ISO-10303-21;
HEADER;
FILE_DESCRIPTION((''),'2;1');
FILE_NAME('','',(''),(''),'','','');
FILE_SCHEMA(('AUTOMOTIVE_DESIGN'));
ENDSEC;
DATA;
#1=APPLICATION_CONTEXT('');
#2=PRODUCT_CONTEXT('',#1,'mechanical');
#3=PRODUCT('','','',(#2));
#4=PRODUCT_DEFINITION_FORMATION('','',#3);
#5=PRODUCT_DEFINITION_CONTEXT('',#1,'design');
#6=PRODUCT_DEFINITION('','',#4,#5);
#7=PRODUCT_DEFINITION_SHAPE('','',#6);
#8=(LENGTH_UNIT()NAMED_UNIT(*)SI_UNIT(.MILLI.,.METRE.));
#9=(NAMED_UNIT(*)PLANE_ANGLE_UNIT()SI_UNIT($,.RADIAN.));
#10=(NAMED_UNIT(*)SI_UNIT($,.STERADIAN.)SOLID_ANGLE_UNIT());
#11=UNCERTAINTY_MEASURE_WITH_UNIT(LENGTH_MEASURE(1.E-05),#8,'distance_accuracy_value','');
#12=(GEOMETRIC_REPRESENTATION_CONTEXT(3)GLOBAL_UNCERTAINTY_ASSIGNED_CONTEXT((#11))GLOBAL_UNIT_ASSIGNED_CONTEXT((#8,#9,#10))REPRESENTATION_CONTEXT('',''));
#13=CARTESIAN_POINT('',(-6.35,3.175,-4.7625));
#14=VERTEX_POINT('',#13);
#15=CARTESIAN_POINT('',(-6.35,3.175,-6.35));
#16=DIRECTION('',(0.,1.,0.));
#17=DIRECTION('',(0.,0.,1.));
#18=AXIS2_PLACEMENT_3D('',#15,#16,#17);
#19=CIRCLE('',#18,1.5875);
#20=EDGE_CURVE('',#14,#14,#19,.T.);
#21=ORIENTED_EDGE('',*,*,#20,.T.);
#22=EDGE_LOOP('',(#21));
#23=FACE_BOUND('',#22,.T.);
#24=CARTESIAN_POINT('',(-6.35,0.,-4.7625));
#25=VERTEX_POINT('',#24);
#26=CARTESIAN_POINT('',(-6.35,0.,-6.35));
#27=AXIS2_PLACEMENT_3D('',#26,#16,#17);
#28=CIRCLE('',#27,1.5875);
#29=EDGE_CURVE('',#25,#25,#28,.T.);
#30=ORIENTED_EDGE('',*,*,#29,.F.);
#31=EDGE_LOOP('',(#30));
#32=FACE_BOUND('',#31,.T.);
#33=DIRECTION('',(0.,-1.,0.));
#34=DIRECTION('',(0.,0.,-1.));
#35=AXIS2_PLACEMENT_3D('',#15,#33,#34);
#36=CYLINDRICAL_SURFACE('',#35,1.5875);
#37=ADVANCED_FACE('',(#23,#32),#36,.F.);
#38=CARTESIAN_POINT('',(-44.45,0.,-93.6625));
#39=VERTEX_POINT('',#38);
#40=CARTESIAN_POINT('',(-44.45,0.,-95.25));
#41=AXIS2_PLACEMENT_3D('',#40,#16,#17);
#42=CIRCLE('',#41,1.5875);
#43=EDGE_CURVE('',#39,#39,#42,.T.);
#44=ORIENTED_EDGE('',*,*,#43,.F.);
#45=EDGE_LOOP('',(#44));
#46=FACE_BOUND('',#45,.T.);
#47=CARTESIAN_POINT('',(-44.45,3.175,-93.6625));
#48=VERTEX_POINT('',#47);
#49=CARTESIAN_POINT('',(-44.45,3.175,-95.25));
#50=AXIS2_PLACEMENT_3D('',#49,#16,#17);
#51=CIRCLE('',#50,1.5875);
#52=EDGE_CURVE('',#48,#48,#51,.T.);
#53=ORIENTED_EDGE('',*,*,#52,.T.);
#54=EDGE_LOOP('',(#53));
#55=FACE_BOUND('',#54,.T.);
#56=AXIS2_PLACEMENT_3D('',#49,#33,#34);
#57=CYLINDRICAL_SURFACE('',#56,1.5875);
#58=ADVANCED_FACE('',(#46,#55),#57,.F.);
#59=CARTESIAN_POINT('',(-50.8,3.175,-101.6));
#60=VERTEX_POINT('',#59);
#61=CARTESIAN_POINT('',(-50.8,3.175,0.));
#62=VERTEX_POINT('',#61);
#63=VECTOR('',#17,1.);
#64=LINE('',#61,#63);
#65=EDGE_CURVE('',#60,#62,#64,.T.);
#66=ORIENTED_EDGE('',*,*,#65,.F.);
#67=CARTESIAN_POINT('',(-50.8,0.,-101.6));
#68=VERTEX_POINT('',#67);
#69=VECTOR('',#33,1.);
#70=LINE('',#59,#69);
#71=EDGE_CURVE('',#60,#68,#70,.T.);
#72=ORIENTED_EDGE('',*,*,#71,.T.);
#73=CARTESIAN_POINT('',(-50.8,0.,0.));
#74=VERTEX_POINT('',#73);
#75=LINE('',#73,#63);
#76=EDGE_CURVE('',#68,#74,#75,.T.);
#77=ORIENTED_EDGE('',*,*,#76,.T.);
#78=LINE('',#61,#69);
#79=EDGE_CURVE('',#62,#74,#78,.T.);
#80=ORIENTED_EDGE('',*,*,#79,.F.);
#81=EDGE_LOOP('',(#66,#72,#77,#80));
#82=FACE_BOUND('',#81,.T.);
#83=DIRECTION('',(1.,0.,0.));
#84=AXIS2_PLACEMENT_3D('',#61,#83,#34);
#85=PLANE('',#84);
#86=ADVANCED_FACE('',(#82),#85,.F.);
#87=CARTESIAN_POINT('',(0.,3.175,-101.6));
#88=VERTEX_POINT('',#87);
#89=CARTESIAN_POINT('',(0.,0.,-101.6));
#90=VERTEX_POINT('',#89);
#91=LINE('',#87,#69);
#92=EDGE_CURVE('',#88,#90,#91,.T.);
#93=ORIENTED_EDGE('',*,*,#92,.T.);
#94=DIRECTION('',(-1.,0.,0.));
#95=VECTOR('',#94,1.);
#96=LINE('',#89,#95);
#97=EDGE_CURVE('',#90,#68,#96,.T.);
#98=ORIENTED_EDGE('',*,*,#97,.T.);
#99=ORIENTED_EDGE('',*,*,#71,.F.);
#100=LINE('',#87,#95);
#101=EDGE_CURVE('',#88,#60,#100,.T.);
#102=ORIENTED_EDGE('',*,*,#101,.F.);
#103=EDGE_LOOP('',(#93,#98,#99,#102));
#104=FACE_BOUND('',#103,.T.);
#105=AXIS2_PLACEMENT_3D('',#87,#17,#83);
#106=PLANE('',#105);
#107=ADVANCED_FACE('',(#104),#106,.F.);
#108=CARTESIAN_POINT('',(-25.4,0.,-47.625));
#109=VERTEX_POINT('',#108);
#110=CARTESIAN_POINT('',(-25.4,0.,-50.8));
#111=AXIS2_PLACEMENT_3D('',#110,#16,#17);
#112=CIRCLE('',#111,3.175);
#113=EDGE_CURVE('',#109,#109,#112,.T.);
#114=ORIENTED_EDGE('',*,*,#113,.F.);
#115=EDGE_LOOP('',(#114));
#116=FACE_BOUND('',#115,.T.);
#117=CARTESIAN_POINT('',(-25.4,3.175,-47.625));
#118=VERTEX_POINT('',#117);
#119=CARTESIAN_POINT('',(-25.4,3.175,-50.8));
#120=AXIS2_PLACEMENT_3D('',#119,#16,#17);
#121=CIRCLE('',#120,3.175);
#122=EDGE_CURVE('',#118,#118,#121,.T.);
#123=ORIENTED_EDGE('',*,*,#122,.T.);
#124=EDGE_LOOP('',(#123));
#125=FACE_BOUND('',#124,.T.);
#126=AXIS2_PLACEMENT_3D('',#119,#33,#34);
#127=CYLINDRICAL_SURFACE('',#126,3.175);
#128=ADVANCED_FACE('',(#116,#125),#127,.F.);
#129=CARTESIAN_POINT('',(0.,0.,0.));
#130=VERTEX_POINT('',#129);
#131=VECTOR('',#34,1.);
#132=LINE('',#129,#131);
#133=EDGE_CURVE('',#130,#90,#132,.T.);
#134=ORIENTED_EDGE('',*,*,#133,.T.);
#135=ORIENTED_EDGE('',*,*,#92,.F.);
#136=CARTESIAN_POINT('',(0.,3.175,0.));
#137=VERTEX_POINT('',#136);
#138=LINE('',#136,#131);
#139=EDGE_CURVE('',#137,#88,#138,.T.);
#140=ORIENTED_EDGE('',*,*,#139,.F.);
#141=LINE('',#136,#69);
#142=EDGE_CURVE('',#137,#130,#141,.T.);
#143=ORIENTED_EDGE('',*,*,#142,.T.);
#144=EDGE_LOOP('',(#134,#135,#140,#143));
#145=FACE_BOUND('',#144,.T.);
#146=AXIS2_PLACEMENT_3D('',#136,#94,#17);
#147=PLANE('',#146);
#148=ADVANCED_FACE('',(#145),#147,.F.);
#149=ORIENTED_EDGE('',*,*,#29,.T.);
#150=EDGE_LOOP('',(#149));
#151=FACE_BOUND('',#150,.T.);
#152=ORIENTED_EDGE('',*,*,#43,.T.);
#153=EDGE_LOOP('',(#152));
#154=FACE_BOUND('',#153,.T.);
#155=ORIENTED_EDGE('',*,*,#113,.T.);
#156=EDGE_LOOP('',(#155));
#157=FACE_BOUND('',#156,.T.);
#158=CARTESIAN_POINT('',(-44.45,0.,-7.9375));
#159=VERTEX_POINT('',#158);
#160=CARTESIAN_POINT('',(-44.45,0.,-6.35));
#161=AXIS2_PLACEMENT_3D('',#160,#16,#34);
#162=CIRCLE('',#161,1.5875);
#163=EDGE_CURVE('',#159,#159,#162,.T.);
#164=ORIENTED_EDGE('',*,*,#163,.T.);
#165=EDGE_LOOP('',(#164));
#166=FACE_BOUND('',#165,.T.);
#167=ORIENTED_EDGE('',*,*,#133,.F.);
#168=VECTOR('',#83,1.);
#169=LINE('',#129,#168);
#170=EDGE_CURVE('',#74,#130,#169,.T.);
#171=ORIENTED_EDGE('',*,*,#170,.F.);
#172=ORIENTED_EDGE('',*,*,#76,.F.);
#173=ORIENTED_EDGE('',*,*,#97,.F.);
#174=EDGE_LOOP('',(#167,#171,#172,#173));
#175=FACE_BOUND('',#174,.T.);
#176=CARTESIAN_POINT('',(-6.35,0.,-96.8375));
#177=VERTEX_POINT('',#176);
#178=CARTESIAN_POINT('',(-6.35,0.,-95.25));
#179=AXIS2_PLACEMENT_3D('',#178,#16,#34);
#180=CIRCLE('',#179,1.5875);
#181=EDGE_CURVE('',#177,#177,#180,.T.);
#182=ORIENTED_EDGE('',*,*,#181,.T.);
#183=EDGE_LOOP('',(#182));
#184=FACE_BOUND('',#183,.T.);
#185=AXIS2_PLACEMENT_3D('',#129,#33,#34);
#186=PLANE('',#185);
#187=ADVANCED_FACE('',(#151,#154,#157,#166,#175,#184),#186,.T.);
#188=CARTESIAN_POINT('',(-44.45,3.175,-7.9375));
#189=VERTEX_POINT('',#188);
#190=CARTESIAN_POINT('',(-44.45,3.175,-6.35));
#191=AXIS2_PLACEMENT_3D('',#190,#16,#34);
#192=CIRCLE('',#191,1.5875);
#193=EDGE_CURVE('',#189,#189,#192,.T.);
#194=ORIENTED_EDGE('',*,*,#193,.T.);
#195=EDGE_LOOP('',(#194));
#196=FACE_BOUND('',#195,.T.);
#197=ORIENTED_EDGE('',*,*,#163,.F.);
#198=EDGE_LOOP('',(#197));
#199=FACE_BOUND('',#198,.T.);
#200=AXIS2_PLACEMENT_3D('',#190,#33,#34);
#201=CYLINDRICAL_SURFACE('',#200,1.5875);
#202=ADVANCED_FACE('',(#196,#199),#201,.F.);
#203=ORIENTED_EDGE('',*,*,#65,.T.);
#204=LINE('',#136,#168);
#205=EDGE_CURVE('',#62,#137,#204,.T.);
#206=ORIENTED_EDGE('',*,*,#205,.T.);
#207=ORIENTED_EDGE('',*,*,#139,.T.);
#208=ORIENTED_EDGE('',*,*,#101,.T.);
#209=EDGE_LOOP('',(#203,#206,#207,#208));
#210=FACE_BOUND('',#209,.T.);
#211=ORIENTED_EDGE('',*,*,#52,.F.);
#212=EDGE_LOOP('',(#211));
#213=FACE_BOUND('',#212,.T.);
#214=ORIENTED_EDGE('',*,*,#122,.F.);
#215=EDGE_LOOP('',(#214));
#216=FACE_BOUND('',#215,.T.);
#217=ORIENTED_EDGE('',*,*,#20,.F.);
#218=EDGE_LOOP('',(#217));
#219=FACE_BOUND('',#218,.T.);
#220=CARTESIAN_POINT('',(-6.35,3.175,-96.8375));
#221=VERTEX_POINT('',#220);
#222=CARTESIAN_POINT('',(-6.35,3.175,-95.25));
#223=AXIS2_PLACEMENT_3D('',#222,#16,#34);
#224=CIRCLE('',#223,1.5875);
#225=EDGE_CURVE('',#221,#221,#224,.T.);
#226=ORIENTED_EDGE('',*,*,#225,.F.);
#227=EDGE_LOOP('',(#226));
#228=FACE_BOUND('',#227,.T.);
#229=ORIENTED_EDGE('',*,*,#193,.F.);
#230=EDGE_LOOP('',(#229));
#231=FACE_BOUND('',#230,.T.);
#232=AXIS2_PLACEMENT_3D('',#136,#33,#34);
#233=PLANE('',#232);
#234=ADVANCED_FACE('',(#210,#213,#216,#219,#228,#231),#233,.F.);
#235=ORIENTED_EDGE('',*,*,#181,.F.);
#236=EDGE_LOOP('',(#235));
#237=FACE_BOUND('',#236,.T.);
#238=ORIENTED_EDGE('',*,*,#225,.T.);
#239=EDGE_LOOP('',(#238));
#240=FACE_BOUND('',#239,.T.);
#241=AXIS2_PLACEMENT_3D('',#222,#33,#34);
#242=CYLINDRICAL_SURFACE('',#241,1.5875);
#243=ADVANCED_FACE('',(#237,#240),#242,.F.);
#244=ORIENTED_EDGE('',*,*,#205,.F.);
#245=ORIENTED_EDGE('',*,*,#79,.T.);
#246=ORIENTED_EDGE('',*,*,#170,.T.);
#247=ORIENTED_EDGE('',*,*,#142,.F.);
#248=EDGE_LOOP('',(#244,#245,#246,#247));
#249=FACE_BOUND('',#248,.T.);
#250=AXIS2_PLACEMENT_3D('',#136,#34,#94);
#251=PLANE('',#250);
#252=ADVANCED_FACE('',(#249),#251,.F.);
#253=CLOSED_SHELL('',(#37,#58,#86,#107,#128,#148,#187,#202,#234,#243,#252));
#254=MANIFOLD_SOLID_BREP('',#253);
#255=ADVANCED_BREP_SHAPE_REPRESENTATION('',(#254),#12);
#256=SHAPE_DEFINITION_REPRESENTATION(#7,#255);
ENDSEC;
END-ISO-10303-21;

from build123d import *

# Parameters (mm, degrees)
SKETCH1_W           = 50.8
SKETCH1_H           = 101.6
SKETCH1_R           = 1.5875
SKETCH1_R_2         = 3.175
BOSS_EXTRUDE1_DEPTH = 3.175


with BuildPart() as part:
    # Sketch1 → Boss-Extrude1 (new body)
    with BuildSketch(Plane(origin=(0, 0, 0), x_dir=(1, 0, 0), z_dir=(0, 1, 0))):
        with Locations((-25.4, 50.8)):
            Rectangle(SKETCH1_W, SKETCH1_H)
        with Locations((-44.45, 6.35)):
            Circle(SKETCH1_R, mode=Mode.SUBTRACT)
        with Locations((-44.45, 95.25)):
            Circle(SKETCH1_R, mode=Mode.SUBTRACT)
        with Locations((-6.35, 6.35)):
            Circle(SKETCH1_R, mode=Mode.SUBTRACT)
        with Locations((-6.35, 95.25)):
            Circle(SKETCH1_R, mode=Mode.SUBTRACT)
        with Locations((-25.4, 50.8)):
            Circle(SKETCH1_R_2, mode=Mode.SUBTRACT)
    extrude(amount=BOSS_EXTRUDE1_DEPTH)


solid = part.part
